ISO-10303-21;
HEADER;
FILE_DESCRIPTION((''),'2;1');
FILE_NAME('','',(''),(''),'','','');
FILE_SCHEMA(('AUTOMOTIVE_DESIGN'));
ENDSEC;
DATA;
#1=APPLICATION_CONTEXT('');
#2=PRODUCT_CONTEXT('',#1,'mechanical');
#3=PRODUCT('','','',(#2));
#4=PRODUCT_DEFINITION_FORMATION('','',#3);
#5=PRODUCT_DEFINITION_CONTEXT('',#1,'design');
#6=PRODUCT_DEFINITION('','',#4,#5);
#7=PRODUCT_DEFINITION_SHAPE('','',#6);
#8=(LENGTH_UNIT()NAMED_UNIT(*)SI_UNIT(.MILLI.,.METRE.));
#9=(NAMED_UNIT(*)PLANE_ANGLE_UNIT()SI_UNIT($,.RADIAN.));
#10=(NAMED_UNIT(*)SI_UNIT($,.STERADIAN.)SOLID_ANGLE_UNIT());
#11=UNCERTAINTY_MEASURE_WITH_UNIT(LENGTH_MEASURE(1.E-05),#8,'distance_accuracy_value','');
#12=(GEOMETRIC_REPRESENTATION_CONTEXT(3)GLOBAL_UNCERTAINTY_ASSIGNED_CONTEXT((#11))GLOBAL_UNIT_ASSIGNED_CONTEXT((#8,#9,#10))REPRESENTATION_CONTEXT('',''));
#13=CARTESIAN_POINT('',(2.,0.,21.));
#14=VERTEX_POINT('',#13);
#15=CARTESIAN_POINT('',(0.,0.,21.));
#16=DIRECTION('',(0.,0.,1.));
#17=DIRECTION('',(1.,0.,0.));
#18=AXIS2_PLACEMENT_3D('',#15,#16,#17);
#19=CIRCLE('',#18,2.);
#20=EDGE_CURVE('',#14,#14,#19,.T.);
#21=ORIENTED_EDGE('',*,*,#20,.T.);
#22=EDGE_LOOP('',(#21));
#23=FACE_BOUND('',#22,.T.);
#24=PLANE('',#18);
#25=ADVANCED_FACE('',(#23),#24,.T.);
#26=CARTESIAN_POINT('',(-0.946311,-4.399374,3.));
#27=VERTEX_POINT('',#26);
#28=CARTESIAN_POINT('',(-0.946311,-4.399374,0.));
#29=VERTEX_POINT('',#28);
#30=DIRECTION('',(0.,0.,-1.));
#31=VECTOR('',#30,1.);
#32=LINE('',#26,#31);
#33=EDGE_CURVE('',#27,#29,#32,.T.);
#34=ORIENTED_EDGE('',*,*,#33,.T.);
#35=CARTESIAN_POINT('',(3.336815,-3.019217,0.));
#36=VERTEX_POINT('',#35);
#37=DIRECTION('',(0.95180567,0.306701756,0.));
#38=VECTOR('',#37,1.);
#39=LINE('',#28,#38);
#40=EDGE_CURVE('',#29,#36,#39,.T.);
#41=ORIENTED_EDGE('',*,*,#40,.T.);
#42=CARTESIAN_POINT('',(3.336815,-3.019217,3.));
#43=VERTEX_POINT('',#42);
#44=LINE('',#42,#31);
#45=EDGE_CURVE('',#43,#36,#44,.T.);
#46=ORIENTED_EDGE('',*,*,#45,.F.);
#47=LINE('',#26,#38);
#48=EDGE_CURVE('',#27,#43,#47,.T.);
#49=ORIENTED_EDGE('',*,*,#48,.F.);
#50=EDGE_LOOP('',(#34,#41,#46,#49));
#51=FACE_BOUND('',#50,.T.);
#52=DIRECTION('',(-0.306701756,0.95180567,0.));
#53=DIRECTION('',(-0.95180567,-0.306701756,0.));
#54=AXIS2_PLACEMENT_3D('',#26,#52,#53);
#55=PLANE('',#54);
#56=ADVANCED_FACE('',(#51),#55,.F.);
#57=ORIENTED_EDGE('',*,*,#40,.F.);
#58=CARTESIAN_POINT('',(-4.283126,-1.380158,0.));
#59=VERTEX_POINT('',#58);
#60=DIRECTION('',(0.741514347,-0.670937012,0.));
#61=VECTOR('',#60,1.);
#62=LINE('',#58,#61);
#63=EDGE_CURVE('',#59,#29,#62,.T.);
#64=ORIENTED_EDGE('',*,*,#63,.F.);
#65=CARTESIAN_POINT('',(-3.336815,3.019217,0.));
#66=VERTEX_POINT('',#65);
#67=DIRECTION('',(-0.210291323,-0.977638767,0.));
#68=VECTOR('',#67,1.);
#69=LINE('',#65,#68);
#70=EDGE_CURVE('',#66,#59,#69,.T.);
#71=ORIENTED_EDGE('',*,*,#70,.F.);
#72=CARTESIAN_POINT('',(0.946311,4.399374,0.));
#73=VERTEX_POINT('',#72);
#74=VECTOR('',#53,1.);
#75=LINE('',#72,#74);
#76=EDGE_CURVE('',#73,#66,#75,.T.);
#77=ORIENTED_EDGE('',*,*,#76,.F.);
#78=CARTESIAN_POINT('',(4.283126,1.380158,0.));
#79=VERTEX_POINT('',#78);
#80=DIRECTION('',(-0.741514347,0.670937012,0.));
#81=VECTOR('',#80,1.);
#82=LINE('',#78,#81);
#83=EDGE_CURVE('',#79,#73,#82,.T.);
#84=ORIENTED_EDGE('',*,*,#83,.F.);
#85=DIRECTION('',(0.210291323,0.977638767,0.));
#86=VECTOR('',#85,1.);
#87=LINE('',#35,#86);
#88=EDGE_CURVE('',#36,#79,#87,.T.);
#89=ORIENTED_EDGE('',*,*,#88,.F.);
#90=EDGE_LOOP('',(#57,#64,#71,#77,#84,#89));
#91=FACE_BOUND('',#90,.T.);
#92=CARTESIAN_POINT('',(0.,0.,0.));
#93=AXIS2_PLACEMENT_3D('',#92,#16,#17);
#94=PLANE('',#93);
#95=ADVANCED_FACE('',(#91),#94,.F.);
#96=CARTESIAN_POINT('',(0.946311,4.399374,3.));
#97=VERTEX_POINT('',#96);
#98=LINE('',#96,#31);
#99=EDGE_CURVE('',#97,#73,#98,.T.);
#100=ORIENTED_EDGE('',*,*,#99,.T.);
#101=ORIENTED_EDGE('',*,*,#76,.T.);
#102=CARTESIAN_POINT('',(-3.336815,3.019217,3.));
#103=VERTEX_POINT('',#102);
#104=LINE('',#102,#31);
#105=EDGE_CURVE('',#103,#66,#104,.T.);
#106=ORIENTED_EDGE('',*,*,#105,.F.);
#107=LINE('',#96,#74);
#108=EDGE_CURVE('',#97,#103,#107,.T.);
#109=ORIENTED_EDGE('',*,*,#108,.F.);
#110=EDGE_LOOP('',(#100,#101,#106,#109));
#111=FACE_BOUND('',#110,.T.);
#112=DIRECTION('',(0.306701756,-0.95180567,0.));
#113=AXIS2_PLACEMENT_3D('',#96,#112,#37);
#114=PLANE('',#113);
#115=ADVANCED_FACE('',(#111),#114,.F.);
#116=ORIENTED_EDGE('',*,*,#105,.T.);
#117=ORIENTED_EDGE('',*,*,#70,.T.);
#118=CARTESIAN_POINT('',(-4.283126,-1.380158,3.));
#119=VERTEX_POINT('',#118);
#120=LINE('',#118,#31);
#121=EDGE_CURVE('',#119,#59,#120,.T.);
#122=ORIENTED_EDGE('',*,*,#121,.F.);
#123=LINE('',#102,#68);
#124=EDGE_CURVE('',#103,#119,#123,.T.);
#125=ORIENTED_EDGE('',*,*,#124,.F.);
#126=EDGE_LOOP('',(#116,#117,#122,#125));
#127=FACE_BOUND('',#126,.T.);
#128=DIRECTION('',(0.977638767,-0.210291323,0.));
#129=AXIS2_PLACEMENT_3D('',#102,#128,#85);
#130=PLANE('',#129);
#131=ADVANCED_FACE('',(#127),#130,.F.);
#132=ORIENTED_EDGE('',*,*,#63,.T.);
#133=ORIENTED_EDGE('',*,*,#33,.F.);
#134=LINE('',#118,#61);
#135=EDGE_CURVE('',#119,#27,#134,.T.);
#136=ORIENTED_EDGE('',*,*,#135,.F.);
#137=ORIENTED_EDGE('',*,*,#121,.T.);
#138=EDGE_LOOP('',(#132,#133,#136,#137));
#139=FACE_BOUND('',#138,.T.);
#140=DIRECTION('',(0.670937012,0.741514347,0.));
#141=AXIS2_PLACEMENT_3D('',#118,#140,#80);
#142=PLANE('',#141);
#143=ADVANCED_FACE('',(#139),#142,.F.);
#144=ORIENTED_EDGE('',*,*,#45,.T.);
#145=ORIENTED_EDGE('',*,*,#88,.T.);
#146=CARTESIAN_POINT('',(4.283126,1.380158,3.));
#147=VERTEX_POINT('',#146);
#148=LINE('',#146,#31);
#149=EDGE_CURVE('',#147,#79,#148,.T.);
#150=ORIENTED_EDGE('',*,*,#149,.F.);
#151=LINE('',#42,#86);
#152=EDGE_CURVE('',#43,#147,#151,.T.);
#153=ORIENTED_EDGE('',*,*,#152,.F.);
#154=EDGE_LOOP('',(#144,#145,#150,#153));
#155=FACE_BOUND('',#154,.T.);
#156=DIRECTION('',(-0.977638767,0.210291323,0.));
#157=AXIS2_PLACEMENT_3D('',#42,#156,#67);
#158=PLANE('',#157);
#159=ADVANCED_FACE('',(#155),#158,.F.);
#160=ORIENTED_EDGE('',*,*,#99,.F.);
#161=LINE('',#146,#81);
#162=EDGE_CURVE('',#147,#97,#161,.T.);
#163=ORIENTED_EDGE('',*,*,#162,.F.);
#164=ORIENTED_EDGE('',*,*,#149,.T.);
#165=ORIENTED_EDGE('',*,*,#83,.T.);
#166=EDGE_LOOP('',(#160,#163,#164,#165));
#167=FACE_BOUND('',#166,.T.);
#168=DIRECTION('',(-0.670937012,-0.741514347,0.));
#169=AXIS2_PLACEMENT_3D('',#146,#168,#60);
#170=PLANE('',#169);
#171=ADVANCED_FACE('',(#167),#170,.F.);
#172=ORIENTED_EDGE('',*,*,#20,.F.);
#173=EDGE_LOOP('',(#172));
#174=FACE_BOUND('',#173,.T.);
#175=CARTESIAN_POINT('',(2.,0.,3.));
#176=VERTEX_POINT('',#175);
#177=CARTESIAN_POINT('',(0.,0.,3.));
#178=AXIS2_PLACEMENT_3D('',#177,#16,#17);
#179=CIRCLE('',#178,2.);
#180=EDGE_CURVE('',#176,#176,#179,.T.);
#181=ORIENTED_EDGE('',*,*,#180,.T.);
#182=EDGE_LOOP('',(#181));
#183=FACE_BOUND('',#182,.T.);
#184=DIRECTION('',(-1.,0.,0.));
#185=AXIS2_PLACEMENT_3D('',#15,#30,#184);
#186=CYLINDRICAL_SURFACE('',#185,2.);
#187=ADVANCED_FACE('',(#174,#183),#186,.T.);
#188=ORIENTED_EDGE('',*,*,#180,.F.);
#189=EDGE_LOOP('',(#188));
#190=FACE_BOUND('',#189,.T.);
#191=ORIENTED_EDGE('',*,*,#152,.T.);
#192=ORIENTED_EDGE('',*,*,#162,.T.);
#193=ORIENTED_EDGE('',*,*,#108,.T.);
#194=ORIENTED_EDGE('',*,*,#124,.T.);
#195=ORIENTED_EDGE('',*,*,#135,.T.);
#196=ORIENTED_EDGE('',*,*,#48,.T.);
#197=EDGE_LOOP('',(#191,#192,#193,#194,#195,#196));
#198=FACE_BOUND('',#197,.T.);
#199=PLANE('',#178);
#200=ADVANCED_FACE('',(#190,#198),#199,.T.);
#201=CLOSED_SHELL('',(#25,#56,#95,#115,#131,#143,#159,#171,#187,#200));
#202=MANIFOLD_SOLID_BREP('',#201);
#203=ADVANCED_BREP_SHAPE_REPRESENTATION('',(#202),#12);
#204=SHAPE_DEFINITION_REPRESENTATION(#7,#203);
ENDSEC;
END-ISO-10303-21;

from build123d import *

# Parameters (mm, degrees)
BOSS_EXTRUDE1_DEPTH = 3
SKETCH2_R           = 2
BOSS_EXTRUDE2_DEPTH = 18


with BuildPart() as part:
    # Sketch1 → Boss-Extrude1 (new body)
    with BuildSketch(Plane.XY):
        Polygon((3.33681456, -3.019216553), (4.283125514, 1.3801579), (0.946310955, 4.399374453), (-3.33681456, 3.019216553), (-4.283125514, -1.3801579), (-0.946310955, -4.399374453), align=None)
    extrude(amount=BOSS_EXTRUDE1_DEPTH)

    # Sketch2 → Boss-Extrude2 (add)
    with BuildSketch(Plane.XY.offset(3)):
        Circle(SKETCH2_R)
    extrude(amount=BOSS_EXTRUDE2_DEPTH)


solid = part.part
